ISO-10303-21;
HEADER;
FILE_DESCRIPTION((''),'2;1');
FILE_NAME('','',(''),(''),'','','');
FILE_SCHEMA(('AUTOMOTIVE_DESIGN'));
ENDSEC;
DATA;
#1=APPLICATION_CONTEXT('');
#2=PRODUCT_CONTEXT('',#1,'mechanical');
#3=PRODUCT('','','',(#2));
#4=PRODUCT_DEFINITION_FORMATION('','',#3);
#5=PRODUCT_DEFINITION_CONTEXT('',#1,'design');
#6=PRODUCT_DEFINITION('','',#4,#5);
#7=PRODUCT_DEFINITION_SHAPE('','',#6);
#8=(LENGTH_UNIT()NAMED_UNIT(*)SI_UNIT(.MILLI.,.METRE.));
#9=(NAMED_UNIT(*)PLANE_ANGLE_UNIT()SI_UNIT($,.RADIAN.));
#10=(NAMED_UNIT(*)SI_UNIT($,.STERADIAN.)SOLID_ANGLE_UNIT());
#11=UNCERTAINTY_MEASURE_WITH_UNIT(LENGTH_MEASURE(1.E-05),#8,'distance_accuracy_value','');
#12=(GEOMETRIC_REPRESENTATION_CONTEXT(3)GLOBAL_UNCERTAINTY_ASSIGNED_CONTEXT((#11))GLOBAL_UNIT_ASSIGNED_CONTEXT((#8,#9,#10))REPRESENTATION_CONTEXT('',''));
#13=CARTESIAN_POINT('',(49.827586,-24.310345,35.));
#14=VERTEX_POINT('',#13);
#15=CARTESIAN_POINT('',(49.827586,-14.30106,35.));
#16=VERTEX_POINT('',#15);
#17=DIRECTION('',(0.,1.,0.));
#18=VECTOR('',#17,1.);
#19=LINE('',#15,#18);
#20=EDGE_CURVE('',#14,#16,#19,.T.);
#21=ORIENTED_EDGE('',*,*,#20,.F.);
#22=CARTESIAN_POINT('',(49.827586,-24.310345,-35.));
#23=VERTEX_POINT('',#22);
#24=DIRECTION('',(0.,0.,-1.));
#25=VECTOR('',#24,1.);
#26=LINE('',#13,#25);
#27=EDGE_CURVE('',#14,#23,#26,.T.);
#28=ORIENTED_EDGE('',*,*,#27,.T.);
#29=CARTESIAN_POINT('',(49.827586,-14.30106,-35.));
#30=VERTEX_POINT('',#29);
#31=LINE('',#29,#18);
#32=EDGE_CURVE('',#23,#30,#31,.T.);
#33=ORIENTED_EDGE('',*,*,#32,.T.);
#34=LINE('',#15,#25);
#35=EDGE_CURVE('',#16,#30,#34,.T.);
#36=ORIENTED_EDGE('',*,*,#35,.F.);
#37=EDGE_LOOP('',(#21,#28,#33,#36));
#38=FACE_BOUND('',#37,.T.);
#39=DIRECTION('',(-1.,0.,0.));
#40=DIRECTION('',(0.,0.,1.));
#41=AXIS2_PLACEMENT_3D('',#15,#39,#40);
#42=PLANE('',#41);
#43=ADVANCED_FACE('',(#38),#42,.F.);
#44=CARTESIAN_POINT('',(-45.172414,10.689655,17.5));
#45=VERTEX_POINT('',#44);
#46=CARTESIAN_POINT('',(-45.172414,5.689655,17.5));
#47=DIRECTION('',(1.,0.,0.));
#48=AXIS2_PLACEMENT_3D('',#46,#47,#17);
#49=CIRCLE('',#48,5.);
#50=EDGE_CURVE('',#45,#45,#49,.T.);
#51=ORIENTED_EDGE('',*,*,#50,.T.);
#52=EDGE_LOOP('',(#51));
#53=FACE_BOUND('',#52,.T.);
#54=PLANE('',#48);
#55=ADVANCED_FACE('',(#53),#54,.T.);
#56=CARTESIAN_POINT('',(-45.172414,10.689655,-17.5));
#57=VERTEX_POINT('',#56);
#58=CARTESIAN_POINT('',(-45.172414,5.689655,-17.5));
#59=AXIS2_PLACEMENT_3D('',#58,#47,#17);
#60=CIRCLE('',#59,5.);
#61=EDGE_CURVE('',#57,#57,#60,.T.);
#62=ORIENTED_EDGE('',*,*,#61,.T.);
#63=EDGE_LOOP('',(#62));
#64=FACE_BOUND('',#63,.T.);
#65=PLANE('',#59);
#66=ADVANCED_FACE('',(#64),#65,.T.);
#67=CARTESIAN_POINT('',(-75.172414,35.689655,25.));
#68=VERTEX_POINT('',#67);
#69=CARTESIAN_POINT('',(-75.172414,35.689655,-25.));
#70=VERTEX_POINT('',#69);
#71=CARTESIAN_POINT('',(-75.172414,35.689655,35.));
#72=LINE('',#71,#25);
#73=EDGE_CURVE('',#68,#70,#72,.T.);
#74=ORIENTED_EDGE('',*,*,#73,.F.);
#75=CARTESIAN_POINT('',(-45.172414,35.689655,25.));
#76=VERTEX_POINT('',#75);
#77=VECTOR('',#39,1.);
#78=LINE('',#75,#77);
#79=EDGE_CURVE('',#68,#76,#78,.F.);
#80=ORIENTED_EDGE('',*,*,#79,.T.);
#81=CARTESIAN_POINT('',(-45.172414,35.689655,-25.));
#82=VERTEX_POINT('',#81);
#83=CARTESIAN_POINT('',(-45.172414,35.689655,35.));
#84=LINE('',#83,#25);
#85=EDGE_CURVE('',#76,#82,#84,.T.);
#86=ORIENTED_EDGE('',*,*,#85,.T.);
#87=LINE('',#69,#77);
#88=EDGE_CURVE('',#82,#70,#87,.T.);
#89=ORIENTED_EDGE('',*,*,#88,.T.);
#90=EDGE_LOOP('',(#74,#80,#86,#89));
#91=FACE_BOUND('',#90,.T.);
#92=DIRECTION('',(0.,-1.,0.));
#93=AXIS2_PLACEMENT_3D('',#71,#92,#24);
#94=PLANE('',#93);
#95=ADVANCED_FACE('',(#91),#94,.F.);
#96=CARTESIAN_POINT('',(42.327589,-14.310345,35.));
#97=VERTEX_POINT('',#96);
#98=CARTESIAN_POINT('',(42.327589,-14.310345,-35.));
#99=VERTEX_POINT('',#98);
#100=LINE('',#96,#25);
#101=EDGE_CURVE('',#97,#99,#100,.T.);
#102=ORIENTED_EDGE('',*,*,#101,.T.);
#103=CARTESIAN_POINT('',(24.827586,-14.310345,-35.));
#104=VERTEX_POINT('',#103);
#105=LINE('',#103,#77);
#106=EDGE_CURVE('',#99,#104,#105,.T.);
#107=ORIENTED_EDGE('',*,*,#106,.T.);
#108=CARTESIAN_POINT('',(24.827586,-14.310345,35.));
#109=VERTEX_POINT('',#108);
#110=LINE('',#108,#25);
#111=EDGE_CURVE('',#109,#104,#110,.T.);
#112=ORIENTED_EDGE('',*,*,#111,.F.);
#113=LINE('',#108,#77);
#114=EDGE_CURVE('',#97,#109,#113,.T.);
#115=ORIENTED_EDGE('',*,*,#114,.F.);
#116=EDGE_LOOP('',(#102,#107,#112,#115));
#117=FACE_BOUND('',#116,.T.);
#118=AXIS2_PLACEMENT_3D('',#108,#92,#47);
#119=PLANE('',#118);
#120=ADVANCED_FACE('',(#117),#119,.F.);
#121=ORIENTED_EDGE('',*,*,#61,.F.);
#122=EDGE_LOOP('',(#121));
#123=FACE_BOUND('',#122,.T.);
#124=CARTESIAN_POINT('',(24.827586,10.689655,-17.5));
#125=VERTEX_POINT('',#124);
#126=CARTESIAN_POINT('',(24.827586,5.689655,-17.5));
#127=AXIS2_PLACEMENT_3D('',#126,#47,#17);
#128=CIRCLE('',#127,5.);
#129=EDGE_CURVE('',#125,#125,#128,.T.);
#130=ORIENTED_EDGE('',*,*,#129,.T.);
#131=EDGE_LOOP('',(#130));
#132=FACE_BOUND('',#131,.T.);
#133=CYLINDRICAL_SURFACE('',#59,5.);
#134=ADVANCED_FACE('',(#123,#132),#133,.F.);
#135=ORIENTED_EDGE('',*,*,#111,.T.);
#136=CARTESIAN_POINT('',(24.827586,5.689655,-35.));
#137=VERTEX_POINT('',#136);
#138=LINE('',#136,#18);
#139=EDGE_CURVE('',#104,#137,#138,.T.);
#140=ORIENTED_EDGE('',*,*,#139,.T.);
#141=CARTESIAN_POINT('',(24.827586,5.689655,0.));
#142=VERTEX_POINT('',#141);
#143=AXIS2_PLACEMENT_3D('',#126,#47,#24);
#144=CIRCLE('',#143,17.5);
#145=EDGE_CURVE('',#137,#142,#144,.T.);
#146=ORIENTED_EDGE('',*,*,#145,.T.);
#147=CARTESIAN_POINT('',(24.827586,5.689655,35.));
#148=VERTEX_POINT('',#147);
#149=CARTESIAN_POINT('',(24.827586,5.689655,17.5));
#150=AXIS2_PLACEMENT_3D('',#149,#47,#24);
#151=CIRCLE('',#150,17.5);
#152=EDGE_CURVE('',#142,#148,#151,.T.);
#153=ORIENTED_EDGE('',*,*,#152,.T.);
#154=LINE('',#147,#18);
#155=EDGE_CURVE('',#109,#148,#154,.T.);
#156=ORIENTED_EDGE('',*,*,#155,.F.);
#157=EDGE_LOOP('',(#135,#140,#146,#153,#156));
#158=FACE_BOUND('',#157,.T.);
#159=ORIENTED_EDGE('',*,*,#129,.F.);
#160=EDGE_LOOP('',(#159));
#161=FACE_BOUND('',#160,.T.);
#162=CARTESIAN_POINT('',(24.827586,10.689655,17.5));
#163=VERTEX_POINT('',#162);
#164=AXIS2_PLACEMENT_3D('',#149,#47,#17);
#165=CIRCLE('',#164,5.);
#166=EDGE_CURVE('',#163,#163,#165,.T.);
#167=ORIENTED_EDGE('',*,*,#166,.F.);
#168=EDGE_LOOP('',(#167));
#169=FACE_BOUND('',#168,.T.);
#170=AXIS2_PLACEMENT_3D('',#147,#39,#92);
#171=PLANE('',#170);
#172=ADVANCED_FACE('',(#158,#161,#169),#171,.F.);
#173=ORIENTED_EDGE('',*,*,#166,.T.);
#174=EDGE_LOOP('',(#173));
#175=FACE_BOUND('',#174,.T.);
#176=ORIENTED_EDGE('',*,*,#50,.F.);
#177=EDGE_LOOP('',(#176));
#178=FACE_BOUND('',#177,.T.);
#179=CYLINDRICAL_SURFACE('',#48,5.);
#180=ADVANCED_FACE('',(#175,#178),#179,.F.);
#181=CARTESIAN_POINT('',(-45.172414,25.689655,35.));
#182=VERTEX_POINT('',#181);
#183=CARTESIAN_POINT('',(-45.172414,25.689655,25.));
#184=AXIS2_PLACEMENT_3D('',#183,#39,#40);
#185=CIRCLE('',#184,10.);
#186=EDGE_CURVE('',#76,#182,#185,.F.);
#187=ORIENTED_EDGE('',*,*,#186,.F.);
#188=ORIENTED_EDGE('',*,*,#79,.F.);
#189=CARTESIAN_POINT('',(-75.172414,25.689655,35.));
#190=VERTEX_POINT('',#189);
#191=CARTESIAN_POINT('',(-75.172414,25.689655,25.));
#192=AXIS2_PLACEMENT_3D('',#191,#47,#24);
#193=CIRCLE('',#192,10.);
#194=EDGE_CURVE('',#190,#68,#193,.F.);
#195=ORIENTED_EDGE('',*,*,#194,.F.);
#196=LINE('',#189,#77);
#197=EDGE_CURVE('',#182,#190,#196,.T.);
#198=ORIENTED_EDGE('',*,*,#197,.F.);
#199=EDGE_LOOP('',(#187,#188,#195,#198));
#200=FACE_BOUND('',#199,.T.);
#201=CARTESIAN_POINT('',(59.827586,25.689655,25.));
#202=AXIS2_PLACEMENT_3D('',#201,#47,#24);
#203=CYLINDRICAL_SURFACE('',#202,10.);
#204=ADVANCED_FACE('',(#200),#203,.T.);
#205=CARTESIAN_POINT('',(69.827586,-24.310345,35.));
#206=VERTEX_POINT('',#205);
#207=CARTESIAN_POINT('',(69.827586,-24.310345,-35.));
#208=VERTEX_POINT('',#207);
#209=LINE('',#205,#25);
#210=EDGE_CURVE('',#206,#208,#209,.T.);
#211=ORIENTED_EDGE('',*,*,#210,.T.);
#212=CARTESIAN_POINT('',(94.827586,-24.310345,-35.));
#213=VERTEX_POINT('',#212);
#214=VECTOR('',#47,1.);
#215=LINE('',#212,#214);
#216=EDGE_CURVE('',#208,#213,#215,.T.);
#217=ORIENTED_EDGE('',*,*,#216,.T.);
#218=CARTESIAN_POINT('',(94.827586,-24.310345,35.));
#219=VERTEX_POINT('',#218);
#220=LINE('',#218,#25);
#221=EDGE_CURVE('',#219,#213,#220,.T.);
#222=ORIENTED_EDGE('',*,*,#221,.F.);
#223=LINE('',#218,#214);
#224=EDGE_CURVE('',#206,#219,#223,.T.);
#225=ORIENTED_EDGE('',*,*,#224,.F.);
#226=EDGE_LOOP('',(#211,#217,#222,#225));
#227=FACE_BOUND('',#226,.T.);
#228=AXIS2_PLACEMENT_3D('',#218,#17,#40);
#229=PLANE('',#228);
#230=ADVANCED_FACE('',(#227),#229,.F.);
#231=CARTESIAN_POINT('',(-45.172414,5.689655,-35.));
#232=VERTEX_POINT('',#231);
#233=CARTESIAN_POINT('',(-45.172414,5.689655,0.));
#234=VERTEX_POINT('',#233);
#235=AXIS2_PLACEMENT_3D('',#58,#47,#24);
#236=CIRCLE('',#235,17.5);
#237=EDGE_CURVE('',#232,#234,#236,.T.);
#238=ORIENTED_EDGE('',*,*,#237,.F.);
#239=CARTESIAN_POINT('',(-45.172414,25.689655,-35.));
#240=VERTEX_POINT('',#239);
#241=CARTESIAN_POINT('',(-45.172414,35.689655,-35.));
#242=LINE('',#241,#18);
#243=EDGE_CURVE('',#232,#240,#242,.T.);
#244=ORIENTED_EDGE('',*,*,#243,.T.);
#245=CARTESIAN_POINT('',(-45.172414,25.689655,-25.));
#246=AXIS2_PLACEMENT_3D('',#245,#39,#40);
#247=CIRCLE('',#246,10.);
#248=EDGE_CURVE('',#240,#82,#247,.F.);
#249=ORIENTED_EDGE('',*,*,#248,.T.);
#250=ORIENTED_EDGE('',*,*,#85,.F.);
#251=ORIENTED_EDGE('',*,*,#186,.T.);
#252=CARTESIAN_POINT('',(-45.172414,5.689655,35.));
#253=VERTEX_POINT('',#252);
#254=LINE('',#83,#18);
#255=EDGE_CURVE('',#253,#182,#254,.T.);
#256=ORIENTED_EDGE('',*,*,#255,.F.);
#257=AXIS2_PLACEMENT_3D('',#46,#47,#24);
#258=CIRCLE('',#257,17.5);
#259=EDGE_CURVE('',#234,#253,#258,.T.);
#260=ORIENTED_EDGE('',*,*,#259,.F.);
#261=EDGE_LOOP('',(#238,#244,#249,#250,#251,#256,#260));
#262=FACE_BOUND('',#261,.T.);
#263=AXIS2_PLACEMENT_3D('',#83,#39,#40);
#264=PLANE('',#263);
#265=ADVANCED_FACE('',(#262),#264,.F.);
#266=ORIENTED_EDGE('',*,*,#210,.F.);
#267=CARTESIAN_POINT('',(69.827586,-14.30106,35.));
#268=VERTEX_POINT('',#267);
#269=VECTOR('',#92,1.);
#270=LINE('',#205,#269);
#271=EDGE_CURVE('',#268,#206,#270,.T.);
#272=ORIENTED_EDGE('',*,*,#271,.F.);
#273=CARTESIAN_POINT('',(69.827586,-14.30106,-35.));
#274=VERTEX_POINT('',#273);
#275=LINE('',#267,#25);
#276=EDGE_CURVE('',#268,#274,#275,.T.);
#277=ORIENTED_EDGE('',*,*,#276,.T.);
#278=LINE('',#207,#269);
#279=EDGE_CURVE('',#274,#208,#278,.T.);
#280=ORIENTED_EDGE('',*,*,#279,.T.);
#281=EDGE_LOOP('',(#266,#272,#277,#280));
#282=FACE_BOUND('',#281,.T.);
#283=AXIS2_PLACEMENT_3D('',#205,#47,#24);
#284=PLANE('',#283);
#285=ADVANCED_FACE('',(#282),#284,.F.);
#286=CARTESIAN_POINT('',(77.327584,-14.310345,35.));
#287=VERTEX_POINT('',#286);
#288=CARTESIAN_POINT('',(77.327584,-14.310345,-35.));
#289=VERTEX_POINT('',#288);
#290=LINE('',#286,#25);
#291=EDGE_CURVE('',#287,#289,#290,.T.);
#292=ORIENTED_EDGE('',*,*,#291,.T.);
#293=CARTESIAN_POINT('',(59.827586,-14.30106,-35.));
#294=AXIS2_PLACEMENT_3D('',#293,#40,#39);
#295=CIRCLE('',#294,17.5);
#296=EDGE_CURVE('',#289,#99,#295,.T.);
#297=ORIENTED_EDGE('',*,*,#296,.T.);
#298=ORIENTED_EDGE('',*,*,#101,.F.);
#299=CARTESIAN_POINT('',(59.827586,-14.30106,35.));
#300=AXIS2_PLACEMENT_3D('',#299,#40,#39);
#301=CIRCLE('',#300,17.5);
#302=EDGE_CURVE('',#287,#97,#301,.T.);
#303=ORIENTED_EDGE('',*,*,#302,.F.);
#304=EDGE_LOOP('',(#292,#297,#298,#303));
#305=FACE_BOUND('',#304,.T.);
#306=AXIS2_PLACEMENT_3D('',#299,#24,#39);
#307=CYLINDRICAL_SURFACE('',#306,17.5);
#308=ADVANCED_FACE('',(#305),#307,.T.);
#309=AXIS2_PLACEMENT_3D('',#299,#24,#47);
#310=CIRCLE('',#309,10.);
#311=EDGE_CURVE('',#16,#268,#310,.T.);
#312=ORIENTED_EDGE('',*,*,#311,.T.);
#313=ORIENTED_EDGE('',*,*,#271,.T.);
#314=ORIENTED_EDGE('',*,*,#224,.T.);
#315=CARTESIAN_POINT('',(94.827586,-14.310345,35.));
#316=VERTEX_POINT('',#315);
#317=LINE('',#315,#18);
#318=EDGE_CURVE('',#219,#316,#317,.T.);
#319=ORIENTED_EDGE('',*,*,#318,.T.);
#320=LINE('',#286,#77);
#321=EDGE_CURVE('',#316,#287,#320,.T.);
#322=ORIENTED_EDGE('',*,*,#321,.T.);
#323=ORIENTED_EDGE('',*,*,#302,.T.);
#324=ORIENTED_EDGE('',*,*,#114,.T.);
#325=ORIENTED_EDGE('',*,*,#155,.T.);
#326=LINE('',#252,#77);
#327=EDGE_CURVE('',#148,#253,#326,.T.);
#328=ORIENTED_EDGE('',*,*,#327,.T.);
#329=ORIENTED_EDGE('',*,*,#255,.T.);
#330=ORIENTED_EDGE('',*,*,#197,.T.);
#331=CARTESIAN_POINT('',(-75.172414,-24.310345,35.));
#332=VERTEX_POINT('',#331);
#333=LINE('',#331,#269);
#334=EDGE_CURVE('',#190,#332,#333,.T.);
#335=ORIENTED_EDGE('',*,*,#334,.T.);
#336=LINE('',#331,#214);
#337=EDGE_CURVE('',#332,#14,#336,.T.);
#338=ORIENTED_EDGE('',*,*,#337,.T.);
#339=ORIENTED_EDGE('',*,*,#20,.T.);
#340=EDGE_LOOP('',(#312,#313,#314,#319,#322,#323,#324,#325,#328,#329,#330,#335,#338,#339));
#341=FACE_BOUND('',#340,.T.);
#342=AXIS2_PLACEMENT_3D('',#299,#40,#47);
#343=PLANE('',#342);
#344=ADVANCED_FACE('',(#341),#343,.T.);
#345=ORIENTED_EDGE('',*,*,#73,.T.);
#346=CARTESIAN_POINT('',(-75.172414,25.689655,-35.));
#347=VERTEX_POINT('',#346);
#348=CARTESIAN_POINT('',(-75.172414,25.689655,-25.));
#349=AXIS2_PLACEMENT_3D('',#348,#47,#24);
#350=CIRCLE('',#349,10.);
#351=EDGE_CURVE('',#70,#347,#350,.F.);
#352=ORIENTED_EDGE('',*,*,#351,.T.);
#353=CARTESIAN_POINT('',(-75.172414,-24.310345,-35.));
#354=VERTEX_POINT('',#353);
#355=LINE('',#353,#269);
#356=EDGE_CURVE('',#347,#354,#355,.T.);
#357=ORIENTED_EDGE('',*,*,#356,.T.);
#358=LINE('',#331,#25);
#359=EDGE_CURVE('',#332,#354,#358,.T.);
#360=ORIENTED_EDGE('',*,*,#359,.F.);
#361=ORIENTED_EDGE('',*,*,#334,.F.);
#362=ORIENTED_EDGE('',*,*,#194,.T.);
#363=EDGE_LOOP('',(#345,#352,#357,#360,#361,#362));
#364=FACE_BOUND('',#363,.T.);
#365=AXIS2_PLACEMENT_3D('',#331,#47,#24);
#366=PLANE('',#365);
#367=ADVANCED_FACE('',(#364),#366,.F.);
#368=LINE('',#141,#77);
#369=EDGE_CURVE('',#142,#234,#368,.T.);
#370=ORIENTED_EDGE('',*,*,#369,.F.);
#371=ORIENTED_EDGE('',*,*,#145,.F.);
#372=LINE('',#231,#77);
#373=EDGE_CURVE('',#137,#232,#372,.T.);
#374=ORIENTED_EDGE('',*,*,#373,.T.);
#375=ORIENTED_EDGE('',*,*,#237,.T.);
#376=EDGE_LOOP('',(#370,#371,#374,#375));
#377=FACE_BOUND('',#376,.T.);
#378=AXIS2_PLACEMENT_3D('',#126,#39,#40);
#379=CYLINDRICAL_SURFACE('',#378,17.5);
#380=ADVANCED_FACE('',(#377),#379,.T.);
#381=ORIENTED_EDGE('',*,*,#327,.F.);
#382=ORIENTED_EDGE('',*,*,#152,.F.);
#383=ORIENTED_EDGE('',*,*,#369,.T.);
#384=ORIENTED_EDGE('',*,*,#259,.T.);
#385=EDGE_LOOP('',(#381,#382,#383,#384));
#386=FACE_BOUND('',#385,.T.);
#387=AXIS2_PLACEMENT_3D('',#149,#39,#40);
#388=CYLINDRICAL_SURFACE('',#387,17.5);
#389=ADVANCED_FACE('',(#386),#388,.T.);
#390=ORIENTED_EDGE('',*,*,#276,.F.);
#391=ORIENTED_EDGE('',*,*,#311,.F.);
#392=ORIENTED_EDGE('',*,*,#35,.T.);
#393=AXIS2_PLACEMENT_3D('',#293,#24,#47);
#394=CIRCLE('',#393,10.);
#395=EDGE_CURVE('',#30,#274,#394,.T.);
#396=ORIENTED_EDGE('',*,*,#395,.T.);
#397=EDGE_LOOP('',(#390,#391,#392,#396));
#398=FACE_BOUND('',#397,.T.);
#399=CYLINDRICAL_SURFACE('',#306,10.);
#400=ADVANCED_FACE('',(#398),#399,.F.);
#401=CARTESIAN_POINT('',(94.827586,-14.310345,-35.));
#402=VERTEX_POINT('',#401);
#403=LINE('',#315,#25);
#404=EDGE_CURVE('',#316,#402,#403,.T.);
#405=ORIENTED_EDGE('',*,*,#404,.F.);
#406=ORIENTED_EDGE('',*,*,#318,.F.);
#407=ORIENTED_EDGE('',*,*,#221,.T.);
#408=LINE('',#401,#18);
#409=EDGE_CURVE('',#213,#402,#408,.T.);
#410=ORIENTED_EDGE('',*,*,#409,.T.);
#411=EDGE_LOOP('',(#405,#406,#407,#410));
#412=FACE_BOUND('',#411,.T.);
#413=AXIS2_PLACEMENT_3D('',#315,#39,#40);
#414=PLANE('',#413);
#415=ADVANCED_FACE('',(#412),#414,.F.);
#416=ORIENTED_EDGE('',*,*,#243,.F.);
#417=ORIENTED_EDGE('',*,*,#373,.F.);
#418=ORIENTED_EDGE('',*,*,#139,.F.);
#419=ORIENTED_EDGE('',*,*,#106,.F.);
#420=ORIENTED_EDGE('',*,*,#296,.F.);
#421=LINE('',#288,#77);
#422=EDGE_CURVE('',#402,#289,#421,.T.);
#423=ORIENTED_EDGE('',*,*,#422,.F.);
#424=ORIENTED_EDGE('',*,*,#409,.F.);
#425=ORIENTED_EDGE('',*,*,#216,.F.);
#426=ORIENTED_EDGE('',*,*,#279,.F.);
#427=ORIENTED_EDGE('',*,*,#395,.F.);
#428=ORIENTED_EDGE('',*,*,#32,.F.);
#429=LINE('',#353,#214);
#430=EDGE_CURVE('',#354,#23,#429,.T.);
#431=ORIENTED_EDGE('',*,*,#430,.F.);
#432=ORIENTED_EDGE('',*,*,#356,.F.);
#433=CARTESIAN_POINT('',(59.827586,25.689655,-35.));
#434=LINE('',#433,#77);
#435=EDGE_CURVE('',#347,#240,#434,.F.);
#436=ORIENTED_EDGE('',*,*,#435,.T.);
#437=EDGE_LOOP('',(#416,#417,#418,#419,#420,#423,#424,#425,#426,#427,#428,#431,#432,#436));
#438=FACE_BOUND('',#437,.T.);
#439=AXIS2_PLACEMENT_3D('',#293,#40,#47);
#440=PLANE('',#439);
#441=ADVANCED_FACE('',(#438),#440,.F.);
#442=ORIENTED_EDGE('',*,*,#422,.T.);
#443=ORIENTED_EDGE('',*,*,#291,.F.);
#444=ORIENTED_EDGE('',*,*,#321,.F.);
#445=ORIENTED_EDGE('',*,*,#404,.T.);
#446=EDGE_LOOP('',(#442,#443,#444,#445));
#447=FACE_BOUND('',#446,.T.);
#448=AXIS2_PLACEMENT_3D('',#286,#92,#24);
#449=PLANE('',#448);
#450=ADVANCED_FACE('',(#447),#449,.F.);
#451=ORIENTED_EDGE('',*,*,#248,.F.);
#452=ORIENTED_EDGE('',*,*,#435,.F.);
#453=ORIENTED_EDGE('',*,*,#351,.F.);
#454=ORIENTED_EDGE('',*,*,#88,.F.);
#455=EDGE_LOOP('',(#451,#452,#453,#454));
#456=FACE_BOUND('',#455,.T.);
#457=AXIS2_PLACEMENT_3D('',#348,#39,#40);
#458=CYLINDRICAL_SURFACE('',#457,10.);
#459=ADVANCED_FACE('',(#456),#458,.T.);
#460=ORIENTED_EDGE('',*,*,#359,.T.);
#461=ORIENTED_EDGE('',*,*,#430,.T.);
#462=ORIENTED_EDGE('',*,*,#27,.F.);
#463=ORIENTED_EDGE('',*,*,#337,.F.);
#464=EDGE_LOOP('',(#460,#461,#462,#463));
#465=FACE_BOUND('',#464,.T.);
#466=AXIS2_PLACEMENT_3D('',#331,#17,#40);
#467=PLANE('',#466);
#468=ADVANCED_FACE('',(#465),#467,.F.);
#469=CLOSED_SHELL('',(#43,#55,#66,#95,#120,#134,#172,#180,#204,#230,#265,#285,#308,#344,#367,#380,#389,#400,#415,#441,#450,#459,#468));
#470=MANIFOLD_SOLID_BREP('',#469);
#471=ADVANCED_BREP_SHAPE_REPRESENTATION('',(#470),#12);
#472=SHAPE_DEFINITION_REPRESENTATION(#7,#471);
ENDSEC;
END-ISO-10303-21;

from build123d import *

# Parameters (mm, degrees)
BOSS_EXTRUDE1_DEPTH = 35
FILLET1_R           = 10
FILLET2_R           = 10
BOSS_EXTRUDE2_DEPTH = 70
SKETCH4_R           = 5
CUT_EXTRUDE1_DEPTH  = 70


with BuildPart() as part:
    # Sketch1 → Boss-Extrude1 (new body, symmetric)
    with BuildSketch(Plane.XY):
        with BuildLine():
            Line((-75.172413793, -24.310344828), (-75.172413793, 35.689655172))
            Line((-75.172413793, 35.689655172), (-45.172413793, 35.689655172))
            Line((-45.172413793, 35.689655172), (-45.172413793, 5.689655172))
            Line((-45.172413793, 5.689655172), (24.827586207, 5.689655172))
            Line((24.827586207, 5.689655172), (24.827586207, -14.310344828))
            Line((24.827586207, -14.310344828), (42.32758867, -14.310344828))
            ThreePointArc((42.32758867, -14.310344828), (59.827586207, 3.198940398), (77.327583744, -14.310344828))
            Line((77.327583744, -14.310344828), (94.827586207, -14.310344828))
            Line((94.827586207, -14.310344828), (94.827586207, -24.310344828))
            Line((94.827586207, -24.310344828), (69.827586207, -24.310344828))
            Line((69.827586207, -24.310344828), (69.827586207, -14.301059602))
            ThreePointArc((69.827586207, -14.301059602), (59.827586207, -4.301059602), (49.827586207, -14.301059602))
            Line((49.827586207, -14.301059602), (49.827586207, -24.310344828))
            Line((49.827586207, -24.310344828), (-75.172413793, -24.310344828))
        make_face()
    extrude(amount=BOSS_EXTRUDE1_DEPTH, both=True)

    # Fillet1
    fillet1_edges = [part.edges().sort_by_distance(p)[0] for p in [
        (-60.172413793, 35.689655172, 35),
    ]]
    fillet(fillet1_edges, radius=FILLET1_R)

    # Fillet2
    fillet2_edges = [part.edges().sort_by_distance(p)[0] for p in [
        (-60.172413793, 35.689655172, -35),
    ]]
    fillet(fillet2_edges, radius=FILLET2_R)

    # Sketch3 → Boss-Extrude2 (add)
    with BuildSketch(Plane(origin=(-45.172413793, 0, 0), x_dir=(0, 0, -1), z_dir=(1, 0, 0))):
        with BuildLine():
            ThreePointArc((0, 5.689655172), (-17.5, 23.189655172), (-35, 5.689655172))
            Line((-35, 5.689655172), (0, 5.689655172))
        make_face()
        with BuildLine():
            ThreePointArc((35, 5.689655172), (17.5, 23.189655172), (0, 5.689655172))
            Line((0, 5.689655172), (35, 5.689655172))
        make_face()
    extrude(amount=BOSS_EXTRUDE2_DEPTH)

    # Sketch4 → Cut-Extrude1 (cut)
    with BuildSketch(Plane(origin=(24.827586207, 0, 0), x_dir=(0, 0, -1), z_dir=(1, 0, 0))):
        with Locations((-17.5, 5.689655172)):
            Circle(SKETCH4_R)
        with Locations((17.5, 5.689655172)):
            Circle(SKETCH4_R)
    extrude(amount=-CUT_EXTRUDE1_DEPTH, mode=Mode.SUBTRACT)


solid = part.part
